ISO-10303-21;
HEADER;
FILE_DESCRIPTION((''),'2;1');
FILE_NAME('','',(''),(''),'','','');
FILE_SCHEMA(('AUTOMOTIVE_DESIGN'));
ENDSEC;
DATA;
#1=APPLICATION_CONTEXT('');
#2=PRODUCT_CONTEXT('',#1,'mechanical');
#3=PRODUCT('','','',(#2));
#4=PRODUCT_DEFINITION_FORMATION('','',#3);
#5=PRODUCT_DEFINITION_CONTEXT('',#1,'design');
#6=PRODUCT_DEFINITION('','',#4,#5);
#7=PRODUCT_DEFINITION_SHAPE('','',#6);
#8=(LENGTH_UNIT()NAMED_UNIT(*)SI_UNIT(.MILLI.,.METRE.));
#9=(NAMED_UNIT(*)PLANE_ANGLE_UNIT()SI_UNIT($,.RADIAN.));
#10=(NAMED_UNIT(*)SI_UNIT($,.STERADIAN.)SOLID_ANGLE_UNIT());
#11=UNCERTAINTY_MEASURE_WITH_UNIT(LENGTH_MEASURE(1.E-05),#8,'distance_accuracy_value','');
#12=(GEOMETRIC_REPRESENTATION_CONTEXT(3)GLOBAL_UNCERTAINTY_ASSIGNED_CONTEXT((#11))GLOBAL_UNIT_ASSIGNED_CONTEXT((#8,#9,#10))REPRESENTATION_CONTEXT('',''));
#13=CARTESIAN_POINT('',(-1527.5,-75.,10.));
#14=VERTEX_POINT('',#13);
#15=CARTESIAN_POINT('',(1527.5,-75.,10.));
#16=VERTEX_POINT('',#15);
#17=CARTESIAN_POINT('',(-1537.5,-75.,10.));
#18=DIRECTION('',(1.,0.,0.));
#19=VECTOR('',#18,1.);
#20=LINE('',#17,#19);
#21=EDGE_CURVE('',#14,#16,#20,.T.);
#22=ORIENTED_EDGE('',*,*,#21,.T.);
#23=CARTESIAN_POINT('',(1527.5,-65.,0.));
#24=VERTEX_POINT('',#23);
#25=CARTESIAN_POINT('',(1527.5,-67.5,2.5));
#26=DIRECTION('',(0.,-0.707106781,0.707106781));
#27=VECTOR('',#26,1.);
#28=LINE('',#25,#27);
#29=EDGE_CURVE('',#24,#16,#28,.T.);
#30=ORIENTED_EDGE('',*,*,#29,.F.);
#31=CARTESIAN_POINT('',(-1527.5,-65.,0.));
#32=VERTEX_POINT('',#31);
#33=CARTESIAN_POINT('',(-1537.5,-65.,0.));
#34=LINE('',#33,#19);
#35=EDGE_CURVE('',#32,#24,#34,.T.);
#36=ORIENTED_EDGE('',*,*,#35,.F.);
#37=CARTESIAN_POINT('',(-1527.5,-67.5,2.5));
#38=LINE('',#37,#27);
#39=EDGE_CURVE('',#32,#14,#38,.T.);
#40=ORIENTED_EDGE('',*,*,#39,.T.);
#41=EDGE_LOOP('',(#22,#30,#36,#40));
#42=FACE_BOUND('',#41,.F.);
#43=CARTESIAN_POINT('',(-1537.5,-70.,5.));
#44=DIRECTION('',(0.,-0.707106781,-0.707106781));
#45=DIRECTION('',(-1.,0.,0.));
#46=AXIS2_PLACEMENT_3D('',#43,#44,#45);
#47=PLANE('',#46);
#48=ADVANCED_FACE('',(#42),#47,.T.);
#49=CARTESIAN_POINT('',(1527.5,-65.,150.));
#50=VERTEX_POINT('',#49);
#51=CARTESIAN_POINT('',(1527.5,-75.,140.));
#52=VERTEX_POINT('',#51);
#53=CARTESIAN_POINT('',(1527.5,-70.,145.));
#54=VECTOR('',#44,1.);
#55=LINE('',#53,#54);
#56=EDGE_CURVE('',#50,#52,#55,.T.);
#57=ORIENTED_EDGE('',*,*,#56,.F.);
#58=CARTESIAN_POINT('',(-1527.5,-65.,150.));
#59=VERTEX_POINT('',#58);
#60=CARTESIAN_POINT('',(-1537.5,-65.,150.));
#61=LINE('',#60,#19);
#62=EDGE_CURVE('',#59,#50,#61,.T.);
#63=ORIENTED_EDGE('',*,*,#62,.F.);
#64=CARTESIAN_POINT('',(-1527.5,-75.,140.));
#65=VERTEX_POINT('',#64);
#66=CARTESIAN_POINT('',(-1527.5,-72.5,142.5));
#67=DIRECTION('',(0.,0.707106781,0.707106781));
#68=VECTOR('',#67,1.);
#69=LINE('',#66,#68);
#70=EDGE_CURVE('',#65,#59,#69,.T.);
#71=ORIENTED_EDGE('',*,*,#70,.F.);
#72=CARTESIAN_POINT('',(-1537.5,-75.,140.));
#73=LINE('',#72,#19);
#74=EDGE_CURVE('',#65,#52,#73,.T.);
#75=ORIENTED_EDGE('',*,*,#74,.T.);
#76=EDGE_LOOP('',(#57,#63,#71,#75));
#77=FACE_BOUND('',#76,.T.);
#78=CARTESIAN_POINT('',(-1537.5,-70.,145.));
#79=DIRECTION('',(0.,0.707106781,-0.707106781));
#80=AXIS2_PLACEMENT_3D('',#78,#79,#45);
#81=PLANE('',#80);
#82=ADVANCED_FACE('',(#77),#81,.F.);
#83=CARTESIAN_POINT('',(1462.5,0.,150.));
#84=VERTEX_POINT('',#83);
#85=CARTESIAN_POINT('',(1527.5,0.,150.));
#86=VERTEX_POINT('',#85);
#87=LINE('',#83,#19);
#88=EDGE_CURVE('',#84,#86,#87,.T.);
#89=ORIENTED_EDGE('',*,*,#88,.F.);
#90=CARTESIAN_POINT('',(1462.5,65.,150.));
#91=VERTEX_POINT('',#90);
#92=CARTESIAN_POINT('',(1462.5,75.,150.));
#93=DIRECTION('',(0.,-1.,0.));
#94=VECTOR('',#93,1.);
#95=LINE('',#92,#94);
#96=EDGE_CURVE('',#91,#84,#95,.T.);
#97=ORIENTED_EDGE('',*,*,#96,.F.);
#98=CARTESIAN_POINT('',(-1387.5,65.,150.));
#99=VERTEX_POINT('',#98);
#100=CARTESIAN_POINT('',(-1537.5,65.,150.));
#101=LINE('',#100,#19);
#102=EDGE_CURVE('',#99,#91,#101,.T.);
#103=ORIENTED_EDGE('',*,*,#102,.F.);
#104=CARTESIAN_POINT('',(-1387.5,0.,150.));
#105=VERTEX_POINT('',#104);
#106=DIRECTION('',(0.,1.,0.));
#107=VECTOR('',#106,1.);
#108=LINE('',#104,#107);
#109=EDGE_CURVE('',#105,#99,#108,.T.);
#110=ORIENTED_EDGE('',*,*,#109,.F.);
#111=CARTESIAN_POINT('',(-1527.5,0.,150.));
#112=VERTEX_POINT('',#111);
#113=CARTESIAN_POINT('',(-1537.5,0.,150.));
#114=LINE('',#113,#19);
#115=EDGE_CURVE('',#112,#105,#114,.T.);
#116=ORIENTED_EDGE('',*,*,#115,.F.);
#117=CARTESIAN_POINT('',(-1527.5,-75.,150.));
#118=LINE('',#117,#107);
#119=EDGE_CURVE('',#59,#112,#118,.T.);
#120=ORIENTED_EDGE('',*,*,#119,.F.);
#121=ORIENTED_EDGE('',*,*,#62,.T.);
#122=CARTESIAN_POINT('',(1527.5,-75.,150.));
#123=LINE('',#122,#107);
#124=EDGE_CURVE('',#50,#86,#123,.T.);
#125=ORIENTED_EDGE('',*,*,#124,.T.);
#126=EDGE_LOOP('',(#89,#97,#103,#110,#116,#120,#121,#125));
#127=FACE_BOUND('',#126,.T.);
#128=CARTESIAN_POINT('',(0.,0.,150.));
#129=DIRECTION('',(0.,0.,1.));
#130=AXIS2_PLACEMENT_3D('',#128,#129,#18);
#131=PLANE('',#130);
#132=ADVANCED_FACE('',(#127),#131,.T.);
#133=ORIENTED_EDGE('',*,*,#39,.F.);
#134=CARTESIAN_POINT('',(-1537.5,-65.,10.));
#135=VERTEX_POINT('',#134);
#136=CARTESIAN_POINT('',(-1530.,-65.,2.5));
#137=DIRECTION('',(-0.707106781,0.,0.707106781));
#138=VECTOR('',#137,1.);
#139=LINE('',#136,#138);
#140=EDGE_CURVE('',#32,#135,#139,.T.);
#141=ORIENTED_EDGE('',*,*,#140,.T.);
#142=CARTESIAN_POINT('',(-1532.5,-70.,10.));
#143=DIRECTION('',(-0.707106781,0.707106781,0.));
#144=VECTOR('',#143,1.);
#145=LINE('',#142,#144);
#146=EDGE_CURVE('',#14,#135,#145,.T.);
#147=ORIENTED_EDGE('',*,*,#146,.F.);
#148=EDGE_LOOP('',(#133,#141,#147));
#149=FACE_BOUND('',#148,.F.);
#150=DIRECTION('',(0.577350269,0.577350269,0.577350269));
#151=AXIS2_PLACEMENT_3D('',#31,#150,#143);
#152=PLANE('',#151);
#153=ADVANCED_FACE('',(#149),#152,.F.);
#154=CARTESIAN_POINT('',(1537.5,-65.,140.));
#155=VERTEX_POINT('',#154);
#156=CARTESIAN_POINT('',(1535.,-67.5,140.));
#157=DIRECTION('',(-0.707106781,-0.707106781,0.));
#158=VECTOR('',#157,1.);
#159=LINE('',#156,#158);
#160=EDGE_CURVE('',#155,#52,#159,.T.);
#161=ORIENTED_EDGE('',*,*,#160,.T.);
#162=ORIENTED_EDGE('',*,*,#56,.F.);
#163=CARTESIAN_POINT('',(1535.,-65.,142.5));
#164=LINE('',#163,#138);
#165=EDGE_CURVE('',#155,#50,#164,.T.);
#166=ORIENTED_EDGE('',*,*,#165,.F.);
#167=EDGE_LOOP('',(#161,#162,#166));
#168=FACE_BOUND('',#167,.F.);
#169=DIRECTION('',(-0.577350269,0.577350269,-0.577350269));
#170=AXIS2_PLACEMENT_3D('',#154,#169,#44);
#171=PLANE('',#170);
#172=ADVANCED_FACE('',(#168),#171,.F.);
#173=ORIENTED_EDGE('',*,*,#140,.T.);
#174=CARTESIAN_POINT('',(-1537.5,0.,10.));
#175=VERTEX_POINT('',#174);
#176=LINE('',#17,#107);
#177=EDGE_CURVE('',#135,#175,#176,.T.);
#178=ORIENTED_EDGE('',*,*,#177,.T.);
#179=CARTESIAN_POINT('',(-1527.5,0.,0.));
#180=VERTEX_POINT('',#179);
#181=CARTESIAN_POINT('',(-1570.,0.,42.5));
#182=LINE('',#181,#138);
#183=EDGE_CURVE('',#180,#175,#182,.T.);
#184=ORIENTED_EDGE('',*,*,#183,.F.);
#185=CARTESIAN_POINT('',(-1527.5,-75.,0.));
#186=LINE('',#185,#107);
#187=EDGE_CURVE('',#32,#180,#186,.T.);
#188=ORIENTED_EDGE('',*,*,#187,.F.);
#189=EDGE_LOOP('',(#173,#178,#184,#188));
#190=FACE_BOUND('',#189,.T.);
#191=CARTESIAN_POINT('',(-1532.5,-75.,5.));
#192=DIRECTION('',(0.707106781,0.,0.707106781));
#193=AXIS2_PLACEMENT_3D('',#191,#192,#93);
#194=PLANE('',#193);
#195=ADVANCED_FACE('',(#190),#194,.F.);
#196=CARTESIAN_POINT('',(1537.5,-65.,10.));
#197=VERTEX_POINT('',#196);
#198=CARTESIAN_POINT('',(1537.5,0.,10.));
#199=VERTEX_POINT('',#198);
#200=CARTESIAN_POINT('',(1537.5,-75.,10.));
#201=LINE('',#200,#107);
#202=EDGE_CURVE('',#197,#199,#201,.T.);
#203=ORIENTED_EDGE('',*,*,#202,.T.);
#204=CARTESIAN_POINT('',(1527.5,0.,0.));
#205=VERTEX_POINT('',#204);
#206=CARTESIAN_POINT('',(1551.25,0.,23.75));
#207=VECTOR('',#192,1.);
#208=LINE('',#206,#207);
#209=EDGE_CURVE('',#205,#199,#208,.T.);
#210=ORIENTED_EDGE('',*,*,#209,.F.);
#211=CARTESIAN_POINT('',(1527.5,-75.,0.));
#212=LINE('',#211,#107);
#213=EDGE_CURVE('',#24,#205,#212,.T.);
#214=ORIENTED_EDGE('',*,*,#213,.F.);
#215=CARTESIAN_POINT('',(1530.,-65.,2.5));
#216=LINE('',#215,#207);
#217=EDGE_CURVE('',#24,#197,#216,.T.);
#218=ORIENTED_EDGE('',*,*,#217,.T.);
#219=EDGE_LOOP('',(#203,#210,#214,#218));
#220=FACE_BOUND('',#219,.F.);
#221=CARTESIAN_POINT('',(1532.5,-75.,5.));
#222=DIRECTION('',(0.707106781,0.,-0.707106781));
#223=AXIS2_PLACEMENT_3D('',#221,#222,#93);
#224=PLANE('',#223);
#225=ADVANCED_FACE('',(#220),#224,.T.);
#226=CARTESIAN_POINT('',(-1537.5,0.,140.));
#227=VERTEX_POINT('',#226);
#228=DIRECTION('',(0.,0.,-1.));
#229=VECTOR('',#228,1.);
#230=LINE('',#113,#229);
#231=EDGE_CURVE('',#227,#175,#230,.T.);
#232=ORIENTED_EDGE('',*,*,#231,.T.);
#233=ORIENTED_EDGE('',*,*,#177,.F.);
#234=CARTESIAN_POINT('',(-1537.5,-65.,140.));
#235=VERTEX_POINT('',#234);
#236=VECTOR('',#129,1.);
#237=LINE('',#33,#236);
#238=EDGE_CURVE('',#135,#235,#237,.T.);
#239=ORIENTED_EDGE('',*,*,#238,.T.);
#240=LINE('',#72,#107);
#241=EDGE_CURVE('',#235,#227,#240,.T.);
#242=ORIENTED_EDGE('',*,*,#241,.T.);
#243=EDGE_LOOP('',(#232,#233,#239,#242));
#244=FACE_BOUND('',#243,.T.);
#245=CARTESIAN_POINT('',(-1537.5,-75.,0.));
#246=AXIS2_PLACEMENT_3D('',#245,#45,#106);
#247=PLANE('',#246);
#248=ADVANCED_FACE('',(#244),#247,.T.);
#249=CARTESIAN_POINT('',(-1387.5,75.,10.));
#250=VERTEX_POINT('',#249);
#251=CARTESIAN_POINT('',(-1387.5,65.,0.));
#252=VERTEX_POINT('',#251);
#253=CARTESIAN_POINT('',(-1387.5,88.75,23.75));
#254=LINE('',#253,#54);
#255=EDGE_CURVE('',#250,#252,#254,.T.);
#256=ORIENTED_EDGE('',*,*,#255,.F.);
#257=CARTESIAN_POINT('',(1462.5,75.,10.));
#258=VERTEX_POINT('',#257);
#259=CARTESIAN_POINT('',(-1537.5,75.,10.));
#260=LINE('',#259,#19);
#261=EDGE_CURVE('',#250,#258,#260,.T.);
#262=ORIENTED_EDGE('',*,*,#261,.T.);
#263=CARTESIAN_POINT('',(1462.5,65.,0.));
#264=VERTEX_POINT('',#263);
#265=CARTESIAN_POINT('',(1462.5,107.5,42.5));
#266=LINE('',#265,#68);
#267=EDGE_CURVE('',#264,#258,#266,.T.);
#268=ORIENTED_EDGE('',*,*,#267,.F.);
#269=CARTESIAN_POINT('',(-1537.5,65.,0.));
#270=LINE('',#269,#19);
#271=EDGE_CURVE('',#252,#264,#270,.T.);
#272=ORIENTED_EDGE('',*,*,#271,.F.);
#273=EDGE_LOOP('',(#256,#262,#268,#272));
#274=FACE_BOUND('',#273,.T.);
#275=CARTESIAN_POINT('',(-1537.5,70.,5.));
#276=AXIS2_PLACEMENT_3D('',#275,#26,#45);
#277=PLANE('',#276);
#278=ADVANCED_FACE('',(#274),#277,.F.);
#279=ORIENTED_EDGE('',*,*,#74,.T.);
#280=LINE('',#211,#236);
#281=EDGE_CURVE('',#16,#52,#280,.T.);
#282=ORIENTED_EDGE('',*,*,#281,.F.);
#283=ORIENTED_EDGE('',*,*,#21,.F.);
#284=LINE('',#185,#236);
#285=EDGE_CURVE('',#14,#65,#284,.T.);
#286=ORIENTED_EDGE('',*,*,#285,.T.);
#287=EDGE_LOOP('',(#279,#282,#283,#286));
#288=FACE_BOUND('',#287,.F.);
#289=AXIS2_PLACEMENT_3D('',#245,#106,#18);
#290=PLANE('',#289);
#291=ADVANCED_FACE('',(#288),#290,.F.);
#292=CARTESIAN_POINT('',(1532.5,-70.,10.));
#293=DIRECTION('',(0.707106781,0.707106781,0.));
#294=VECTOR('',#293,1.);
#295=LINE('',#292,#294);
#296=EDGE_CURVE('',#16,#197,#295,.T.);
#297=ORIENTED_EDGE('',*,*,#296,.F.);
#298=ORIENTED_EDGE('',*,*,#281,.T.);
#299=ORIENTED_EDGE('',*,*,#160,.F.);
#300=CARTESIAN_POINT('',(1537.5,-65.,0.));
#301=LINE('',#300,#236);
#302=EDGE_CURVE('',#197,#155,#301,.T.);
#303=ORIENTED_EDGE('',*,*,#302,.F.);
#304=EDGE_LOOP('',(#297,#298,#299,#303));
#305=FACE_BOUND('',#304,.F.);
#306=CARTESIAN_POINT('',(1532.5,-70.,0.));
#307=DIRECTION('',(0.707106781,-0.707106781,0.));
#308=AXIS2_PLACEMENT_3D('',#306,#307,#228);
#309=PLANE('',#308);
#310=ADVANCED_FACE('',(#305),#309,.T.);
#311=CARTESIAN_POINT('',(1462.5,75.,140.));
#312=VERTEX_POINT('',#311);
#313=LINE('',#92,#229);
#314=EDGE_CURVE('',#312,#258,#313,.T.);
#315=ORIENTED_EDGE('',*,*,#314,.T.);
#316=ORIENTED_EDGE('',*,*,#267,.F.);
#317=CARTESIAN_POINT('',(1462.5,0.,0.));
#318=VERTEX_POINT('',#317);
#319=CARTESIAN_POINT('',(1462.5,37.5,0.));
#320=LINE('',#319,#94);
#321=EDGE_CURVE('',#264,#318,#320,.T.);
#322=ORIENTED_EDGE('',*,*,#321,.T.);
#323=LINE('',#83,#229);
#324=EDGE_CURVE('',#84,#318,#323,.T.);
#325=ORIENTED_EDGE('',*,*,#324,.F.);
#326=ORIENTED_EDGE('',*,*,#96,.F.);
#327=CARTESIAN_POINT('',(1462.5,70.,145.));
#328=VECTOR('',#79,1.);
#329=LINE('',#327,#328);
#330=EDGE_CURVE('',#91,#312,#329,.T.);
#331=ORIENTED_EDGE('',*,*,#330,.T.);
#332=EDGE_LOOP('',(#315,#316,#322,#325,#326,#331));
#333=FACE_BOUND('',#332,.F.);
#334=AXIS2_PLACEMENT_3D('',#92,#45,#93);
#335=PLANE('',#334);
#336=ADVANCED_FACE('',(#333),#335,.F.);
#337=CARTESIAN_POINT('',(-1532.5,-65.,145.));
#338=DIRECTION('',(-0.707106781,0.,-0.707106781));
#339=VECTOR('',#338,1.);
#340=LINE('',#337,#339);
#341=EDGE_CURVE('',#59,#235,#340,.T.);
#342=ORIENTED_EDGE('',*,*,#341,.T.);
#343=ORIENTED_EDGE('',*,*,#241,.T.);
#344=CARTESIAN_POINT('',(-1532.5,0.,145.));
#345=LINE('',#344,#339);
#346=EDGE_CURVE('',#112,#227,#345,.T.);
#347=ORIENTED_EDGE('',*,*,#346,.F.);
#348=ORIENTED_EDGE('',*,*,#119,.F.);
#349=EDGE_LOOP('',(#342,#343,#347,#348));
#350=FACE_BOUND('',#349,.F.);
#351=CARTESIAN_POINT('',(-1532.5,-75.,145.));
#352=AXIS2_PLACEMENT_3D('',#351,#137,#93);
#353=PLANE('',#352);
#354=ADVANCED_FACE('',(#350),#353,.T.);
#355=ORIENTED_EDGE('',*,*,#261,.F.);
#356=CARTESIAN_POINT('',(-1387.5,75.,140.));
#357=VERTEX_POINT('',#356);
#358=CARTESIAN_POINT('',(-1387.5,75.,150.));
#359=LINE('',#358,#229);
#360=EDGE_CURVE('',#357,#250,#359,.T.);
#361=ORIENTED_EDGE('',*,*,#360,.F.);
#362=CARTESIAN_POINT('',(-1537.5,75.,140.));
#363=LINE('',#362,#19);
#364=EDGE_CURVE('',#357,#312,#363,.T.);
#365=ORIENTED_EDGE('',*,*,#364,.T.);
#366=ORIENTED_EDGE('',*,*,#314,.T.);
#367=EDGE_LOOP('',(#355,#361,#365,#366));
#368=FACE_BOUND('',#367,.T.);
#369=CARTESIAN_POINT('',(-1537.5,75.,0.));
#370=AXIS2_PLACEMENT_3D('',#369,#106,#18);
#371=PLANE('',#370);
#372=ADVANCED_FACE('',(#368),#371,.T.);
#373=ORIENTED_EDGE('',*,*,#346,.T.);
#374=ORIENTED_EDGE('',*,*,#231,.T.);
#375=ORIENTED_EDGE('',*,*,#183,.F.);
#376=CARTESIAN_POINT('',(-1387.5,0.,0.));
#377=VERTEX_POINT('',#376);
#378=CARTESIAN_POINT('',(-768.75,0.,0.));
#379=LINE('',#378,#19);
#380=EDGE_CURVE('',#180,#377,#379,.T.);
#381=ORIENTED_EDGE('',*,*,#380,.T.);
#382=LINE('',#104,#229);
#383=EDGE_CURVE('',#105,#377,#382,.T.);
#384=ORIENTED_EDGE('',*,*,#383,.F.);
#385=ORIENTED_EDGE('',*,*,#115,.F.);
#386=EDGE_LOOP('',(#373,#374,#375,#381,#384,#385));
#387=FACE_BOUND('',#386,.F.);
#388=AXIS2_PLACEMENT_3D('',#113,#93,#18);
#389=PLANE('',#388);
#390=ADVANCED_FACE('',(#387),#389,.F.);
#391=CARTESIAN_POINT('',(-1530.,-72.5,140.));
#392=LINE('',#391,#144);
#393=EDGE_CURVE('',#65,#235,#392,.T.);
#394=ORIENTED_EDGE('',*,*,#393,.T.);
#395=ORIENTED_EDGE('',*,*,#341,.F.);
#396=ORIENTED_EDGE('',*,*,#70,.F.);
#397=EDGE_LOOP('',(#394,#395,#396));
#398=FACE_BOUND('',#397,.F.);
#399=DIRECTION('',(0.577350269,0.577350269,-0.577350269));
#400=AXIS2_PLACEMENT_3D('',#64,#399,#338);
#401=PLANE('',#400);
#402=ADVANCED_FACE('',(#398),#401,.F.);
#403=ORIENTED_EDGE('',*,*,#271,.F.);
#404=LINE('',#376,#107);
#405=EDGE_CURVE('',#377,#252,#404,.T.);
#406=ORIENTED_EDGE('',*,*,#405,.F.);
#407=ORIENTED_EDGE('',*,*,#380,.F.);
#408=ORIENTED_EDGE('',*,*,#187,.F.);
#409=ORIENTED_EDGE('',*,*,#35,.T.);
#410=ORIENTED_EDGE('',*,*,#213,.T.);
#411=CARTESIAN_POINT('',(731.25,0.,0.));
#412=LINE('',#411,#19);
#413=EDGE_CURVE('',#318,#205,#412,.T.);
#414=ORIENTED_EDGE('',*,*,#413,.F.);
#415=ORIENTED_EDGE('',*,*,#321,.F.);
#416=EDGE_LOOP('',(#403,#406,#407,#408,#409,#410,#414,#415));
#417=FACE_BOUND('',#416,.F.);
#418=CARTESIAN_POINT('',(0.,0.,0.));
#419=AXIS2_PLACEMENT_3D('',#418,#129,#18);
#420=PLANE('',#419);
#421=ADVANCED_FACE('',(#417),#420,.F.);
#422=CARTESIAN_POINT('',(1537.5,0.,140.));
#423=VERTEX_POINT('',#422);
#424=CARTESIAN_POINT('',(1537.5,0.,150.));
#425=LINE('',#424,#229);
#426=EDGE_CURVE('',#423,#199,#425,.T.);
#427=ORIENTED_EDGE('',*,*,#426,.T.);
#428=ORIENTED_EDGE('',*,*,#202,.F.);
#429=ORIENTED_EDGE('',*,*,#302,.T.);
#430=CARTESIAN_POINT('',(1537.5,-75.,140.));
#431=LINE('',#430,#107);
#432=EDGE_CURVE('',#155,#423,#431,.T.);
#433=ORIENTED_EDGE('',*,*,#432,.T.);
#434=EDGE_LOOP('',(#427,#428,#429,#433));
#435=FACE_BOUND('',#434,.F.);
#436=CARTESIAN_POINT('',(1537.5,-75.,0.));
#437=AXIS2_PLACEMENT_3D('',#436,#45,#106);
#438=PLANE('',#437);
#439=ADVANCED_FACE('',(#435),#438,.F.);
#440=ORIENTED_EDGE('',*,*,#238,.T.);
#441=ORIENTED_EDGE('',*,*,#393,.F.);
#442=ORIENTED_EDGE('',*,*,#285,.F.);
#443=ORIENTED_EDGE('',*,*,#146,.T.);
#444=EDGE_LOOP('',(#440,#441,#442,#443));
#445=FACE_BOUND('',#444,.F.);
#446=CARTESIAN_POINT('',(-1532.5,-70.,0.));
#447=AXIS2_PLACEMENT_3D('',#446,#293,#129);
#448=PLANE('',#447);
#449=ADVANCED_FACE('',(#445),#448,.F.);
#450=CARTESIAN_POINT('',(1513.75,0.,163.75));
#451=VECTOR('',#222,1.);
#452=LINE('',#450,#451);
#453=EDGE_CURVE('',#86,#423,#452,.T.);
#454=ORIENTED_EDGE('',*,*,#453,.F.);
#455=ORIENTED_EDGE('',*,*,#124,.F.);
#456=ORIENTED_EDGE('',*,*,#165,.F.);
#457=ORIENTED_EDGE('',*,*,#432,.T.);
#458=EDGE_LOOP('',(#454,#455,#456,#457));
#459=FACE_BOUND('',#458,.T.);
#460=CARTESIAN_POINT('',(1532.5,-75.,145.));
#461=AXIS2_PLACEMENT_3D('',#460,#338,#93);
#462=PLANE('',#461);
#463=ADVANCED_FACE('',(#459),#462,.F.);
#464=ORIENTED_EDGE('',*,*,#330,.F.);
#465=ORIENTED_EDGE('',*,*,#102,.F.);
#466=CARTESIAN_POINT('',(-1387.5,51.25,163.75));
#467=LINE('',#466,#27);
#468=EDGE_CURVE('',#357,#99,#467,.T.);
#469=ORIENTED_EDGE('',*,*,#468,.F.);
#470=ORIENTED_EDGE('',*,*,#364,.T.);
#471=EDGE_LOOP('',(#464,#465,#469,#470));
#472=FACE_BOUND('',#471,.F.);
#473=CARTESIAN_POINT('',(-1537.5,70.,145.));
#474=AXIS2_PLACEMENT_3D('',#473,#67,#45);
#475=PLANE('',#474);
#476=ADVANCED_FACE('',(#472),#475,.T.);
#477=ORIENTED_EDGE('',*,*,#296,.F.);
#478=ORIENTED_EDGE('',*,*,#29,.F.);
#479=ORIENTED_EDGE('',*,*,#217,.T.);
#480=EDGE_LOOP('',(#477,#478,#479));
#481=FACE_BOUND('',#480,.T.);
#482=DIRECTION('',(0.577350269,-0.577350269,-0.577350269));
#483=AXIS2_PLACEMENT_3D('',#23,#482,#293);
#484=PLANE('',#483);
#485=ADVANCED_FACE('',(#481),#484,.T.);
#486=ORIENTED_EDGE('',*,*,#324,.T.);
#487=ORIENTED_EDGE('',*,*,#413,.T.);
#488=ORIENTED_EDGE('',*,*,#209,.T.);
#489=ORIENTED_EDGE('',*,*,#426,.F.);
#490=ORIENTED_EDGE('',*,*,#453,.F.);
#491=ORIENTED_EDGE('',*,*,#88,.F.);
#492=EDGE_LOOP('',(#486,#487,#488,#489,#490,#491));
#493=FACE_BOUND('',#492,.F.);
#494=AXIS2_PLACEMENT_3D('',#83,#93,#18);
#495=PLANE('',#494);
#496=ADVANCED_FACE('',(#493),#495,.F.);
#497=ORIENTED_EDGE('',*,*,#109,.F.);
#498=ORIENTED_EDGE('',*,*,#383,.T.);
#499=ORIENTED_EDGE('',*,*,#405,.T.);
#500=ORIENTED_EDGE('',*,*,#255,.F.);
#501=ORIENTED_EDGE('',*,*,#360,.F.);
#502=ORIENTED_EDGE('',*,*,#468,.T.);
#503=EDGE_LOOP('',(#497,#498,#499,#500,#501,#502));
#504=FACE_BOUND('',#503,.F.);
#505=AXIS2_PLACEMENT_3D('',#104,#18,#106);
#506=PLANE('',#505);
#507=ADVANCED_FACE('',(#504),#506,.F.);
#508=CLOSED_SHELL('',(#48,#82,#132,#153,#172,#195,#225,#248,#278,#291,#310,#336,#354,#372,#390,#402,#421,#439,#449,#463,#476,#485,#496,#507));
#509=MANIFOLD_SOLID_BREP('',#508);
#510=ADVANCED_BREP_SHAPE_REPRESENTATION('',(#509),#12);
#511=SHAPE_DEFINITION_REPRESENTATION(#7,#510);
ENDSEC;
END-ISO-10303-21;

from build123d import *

# Parameters (mm, degrees)
F0_W     = 3075
F0_H     = 150
F1_DEPTH = 150
F2_SIZE  = 10
F3_W     = 65
F3_H     = 65
F4_DEPTH = 150.001
F5_W     = 140
F5_H     = 65
F6_DEPTH = 150.001


with BuildPart() as f1:
    # F0 (on Top) → F1 (new body)
    with BuildSketch(Plane.XY):
        Rectangle(F0_W, F0_H)
    extrude(amount=F1_DEPTH)

    # F2
    f2_edges = [f1.edges().sort_by_distance(p)[0] for p in [
        (0, 75, 150),
        (-1537.5, 0, 150),
        (0, -75, 150),
        (1537.5, 0, 150),
        (-1537.5, -75, 75),
        (1537.5, -75, 75),
        (0, -75, 0),
        (-1537.5, 75, 75),
        (0, 75, 0),
        (-1537.5, 0, 0),
        (1537.5, 0, 0),
        (1537.5, 75, 75),
    ]]
    chamfer(f2_edges, length=F2_SIZE)

    # F3 (on face) → F4 (cut, through all)
    with BuildSketch(Plane.XY.offset(150)):
        Polygon((1537.5, 0), (1537.5, 75), (1462.5, 75), (1462.5, 65), (1527.5, 65), (1527.5, 0), align=None)
        with Locations((1495, 32.5)):
            Rectangle(F3_W, F3_H)
    extrude(amount=-F4_DEPTH, mode=Mode.SUBTRACT)

    # F5 (on face) → F6 (cut, through all)
    with BuildSketch(Plane.XY.offset(150)):
        Polygon((-1387.5, 65), (-1387.5, 75), (-1537.5, 75), (-1537.5, 0), (-1527.5, 0), (-1527.5, 65), align=None)
        with Locations((-1457.5, 32.5)):
            Rectangle(F5_W, F5_H)
    extrude(amount=-F6_DEPTH, mode=Mode.SUBTRACT)


solid = f1.part
